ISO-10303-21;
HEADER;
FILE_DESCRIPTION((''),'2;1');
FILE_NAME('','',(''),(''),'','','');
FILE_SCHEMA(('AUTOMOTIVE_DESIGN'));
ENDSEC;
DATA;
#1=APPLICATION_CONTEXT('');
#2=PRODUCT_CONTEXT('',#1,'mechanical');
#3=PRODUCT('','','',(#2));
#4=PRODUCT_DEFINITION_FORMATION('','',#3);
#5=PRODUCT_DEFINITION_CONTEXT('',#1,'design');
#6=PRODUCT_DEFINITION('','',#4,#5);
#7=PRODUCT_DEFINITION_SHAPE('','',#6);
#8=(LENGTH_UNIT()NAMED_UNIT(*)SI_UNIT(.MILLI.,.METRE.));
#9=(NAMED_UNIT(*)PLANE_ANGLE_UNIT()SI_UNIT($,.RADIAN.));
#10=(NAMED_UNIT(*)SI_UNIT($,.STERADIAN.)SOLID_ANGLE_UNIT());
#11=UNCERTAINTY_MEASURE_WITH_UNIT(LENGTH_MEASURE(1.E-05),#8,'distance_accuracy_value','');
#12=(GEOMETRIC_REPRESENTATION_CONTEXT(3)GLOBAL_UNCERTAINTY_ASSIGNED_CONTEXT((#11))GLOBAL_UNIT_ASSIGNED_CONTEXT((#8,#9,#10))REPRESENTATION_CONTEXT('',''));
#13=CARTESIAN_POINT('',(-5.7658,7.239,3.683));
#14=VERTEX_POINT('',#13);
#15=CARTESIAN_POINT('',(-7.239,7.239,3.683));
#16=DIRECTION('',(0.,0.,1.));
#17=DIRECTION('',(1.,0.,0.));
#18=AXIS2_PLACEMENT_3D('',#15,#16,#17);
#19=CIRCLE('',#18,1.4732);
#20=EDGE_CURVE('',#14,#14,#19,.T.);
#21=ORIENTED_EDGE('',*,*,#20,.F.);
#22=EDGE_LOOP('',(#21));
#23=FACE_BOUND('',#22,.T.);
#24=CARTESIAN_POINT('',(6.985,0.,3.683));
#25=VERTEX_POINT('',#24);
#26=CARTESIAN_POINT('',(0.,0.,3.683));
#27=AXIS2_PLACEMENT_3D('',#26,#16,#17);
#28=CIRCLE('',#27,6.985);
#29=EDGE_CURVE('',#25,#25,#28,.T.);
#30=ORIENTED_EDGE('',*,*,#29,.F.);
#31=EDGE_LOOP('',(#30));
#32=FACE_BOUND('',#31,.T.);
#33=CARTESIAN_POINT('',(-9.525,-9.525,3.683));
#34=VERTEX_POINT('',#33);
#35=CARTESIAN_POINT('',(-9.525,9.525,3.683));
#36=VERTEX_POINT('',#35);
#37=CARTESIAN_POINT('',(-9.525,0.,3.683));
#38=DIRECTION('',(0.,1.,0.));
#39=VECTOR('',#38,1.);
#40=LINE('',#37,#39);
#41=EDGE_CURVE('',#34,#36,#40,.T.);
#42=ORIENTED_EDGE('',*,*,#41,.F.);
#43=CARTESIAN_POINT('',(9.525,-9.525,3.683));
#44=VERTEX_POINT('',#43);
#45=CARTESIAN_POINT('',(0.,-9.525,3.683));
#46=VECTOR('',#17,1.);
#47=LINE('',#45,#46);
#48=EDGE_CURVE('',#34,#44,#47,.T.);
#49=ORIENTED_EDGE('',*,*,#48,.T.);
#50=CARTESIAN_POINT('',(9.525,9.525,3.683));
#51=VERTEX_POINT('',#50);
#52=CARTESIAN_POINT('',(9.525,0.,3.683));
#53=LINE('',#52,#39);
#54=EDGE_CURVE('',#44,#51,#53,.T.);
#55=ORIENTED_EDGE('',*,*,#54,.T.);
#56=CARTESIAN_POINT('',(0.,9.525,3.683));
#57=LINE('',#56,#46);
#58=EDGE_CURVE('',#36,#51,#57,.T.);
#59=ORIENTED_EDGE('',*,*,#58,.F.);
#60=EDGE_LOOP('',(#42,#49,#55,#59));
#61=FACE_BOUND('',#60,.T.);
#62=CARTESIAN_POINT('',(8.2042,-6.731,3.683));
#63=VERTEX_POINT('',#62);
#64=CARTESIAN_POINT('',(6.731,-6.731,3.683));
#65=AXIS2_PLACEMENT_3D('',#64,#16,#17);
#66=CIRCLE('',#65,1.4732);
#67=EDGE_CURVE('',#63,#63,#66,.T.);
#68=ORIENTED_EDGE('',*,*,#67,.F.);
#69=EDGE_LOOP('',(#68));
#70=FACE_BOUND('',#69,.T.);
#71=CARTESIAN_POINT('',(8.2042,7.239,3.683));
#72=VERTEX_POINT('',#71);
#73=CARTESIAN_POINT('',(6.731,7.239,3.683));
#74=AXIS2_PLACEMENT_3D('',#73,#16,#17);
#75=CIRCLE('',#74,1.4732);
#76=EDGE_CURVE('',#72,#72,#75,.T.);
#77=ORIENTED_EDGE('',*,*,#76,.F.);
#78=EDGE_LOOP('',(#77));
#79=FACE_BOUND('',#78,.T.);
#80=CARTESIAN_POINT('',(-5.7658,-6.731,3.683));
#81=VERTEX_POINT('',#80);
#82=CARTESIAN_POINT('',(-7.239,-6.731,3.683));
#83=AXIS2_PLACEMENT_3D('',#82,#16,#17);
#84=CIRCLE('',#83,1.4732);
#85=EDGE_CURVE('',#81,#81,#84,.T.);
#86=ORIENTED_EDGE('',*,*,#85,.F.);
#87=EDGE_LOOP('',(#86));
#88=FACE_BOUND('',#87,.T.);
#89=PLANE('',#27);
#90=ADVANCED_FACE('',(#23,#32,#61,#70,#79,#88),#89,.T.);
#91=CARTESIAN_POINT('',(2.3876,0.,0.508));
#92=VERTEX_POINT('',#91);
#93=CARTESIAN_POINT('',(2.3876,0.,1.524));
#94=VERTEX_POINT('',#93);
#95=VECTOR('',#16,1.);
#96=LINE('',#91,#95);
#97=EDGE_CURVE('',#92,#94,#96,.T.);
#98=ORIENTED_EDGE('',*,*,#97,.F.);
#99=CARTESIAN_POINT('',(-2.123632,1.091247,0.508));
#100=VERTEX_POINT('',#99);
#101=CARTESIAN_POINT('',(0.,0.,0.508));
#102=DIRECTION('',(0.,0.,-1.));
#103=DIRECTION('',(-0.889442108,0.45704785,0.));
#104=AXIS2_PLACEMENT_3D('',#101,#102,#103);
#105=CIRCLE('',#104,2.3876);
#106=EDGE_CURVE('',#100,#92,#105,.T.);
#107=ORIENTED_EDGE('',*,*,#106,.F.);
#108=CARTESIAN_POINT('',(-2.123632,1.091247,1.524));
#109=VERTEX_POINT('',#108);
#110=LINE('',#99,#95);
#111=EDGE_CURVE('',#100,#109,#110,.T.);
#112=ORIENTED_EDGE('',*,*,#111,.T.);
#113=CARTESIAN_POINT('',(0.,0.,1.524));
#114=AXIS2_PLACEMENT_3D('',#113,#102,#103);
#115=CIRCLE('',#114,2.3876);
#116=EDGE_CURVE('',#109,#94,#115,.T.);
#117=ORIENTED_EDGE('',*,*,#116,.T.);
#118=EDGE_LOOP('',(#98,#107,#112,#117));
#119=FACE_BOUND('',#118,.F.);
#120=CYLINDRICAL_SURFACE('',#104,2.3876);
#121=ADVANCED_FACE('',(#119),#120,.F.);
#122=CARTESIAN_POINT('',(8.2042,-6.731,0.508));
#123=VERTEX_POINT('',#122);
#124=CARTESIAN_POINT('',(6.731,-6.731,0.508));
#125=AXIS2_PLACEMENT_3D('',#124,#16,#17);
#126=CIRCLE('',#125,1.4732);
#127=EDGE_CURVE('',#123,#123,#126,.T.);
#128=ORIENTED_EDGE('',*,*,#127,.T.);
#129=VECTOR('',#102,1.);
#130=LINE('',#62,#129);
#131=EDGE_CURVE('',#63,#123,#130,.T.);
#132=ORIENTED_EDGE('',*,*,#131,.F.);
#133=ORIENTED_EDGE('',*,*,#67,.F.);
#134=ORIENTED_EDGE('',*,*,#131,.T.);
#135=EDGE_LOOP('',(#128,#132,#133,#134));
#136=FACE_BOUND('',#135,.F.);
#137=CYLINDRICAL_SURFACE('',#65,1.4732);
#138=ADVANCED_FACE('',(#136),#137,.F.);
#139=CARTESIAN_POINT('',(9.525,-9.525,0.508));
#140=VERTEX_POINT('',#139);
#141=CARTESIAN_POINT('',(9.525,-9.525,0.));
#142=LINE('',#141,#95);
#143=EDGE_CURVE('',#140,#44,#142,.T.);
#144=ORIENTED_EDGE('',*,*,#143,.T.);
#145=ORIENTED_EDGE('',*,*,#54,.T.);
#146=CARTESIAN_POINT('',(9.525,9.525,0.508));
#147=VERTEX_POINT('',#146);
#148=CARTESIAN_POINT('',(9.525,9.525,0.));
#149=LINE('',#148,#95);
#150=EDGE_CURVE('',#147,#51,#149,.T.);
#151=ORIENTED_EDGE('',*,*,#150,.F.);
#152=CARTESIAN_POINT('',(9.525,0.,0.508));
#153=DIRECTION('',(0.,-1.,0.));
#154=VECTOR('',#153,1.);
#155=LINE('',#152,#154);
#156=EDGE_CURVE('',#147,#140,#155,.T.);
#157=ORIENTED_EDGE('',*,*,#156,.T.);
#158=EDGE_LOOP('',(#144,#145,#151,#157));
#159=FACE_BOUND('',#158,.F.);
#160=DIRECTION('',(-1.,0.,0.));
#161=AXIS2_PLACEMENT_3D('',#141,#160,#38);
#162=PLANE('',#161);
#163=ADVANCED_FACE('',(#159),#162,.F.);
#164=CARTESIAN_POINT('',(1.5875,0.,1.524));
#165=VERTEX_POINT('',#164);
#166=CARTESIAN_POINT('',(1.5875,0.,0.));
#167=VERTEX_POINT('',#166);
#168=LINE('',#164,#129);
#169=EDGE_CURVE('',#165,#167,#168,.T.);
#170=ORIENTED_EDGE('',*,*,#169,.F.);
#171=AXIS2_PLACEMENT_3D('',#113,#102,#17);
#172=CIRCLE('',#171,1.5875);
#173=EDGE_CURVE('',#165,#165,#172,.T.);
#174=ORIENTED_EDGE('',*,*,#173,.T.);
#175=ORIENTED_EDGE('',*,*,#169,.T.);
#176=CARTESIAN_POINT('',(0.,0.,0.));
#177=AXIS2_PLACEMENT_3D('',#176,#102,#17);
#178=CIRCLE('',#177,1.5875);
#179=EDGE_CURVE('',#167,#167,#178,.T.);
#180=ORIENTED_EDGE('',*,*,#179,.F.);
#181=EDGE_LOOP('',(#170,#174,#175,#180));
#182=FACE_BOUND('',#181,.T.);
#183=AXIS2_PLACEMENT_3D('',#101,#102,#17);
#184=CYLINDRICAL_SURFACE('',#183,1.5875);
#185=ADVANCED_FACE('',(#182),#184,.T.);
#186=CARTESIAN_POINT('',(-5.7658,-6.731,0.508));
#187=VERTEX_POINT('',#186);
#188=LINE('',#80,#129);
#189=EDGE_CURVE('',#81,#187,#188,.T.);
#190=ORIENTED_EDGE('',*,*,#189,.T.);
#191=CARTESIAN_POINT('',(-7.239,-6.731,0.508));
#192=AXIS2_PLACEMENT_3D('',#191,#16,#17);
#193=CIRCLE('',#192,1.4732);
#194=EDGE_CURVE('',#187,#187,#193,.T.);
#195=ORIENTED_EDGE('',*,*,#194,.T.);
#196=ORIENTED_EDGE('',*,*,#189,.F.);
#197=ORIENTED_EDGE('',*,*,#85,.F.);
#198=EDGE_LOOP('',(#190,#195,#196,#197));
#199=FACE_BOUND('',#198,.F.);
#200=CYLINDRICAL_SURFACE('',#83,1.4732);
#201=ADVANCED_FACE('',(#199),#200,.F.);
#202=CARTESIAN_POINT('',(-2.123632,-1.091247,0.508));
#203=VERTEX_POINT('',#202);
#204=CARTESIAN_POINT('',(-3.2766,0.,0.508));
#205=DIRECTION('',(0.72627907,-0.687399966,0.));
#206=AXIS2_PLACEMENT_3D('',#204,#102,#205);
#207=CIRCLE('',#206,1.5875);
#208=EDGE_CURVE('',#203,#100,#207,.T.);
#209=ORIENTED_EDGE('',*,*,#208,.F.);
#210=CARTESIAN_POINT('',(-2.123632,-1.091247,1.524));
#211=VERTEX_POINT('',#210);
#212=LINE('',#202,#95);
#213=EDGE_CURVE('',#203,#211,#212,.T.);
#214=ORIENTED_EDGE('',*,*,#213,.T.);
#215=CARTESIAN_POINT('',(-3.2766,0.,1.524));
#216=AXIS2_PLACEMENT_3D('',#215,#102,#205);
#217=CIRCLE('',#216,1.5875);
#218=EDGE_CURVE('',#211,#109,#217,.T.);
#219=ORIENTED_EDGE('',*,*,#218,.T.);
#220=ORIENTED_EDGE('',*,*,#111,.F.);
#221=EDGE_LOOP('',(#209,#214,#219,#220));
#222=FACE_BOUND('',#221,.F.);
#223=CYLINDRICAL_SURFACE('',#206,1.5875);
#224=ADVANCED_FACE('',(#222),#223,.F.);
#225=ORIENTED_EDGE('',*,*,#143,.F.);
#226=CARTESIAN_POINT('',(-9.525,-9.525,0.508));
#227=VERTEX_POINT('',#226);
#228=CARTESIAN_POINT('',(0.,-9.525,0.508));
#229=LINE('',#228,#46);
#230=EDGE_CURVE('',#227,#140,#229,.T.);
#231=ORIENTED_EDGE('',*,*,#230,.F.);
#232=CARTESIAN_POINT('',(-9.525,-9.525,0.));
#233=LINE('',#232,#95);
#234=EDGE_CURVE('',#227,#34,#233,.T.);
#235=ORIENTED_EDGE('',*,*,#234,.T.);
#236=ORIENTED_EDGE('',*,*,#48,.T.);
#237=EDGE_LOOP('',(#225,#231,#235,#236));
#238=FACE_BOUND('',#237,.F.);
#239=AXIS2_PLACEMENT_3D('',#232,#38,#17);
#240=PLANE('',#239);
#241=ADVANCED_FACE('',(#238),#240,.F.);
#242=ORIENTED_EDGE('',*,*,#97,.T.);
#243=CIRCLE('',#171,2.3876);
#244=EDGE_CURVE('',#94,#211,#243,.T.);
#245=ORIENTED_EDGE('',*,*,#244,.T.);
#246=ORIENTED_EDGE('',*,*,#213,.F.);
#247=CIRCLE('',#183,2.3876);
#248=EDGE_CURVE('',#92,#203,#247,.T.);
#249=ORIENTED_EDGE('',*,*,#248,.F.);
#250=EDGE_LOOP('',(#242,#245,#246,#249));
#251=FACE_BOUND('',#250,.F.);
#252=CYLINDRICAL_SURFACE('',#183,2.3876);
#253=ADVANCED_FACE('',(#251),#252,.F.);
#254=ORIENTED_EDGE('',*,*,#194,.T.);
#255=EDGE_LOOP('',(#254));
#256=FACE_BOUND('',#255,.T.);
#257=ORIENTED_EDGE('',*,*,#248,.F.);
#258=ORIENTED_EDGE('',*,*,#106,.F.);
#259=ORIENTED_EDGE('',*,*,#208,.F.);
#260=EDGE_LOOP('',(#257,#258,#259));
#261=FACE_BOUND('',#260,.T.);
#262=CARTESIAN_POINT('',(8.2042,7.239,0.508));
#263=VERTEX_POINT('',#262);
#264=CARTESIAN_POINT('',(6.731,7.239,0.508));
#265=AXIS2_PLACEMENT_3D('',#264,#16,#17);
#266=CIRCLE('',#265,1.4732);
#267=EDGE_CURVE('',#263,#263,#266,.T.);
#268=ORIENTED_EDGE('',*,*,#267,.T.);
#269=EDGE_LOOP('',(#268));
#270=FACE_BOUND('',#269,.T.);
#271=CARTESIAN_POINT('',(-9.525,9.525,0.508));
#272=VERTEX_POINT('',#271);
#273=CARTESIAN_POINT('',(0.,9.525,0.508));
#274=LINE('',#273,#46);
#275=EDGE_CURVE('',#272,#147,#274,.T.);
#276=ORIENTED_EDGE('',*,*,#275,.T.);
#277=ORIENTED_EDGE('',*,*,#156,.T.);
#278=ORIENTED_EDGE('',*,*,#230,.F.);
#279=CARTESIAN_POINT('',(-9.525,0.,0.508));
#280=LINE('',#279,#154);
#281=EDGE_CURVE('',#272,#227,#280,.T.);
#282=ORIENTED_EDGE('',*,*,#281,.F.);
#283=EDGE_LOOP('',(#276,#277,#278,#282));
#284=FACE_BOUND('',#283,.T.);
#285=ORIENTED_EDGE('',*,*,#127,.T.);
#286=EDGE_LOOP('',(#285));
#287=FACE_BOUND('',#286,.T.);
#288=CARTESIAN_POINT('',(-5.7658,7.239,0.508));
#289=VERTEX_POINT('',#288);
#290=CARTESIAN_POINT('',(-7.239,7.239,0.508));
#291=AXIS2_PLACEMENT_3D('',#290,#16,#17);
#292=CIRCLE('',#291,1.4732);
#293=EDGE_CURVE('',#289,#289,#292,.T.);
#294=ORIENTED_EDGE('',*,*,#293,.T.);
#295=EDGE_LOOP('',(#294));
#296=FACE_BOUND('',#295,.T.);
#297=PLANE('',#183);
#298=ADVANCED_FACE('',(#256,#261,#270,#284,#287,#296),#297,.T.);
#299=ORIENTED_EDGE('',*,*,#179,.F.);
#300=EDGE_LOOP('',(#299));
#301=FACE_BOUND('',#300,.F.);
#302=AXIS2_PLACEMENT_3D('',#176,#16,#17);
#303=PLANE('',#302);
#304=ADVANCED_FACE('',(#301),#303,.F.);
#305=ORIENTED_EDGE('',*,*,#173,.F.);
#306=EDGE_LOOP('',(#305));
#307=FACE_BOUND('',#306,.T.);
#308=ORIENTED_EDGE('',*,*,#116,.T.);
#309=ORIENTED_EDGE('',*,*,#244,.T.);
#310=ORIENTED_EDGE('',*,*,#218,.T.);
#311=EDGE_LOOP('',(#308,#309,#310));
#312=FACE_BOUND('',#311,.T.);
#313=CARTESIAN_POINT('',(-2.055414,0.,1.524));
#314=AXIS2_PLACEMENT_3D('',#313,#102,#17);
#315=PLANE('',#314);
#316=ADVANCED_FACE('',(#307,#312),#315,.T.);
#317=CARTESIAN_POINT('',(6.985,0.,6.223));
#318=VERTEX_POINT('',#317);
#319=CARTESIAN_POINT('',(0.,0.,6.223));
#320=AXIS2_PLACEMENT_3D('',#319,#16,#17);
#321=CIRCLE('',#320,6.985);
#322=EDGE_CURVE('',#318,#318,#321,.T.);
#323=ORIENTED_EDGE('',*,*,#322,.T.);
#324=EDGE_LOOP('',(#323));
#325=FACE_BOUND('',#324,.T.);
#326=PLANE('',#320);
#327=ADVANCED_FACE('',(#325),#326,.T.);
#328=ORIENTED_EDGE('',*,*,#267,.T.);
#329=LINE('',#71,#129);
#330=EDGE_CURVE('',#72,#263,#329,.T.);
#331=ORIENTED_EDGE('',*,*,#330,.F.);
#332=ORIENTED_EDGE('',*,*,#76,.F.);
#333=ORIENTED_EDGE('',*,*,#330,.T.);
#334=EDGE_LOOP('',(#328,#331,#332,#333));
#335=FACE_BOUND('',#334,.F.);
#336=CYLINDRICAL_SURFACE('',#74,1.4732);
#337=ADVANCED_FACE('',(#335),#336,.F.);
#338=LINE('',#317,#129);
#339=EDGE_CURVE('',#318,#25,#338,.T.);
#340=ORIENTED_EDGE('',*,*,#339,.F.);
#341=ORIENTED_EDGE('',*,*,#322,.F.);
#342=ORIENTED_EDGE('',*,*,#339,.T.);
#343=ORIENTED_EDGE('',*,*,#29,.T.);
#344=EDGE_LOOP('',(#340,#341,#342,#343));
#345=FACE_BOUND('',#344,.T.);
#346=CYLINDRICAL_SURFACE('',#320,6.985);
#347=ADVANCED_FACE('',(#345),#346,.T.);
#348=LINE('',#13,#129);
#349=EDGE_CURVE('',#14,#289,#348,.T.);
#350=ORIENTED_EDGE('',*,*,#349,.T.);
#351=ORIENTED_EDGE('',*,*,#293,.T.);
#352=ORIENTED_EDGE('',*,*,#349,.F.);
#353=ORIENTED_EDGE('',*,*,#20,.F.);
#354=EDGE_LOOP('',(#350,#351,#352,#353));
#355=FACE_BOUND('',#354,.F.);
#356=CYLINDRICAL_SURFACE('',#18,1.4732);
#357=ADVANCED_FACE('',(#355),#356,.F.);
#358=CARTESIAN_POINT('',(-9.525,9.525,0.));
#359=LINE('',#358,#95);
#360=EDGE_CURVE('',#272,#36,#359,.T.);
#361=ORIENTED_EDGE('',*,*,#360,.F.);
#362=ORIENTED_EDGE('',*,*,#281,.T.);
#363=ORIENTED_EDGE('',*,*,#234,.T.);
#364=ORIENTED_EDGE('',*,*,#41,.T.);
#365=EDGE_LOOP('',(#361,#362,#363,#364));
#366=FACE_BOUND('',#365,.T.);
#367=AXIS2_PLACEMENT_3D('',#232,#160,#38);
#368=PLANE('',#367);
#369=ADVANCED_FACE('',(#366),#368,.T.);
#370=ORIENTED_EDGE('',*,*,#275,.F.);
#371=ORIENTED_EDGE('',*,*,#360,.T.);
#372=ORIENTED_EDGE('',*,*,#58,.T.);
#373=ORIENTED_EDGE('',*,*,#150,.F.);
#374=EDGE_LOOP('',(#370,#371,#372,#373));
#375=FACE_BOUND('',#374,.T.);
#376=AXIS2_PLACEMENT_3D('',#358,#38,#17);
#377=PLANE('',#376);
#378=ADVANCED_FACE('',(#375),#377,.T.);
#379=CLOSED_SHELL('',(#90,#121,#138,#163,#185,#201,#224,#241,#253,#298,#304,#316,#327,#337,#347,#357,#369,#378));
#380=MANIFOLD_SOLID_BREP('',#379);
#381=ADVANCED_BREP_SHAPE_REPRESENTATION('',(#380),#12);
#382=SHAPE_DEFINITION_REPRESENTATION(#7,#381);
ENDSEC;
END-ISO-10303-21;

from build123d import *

# Parameters (mm, degrees)
F0_W     = 19.05
F0_H     = 19.05
F1_DEPTH = 6.223
F2_W     = 19.05
F2_H     = 19.05
F2_R     = 6.985
F3_DEPTH = 2.54
F4_R     = 1.4732
F5_DEPTH = 3.684
F6_W     = 19.05
F6_H     = 19.05
F6_R     = 1.5875
F7_DEPTH = 0.508
F8_R     = 1.5875
F9_DEPTH = 1.016


with BuildPart() as f1:
    # F0 (on Top) → F1 (new body)
    with BuildSketch(Plane.XY):
        Rectangle(F0_W, F0_H)
    extrude(amount=F1_DEPTH)

    # F2 (on face) → F3 (cut)
    with BuildSketch(Plane.XY.offset(6.223)):
        Rectangle(F2_W, F2_H)
        Circle(F2_R, mode=Mode.SUBTRACT)
    extrude(amount=-F3_DEPTH, mode=Mode.SUBTRACT)

    # F4 (on face) → F5 (cut, through all)
    with BuildSketch(Plane.XY.offset(3.683)):
        with Locations((-7.239, 7.239)):
            Circle(F4_R)
        with Locations((-7.239, -6.731)):
            Circle(F4_R)
        with Locations((6.731, 7.239)):
            Circle(F4_R)
        with Locations((6.731, -6.731)):
            Circle(F4_R)
    extrude(amount=-F5_DEPTH, mode=Mode.SUBTRACT)

    # F6 (on face) → F7 (cut)
    with BuildSketch(Plane(origin=(0, 0, 0), x_dir=(1, 0, 0), z_dir=(0, 0, -1))):
        Rectangle(F6_W, F6_H)
        Circle(F6_R, mode=Mode.SUBTRACT)
    extrude(amount=-F7_DEPTH, mode=Mode.SUBTRACT)

    # F8 (on face) → F9 (cut)
    with BuildSketch(Plane(origin=(0, 0, 0.508), x_dir=(1, 0, 0), z_dir=(0, 0, -1))):
        with BuildLine():
            ThreePointArc((-2.1236319767, -1.0912474455), (-1.8017283129, -0.5872901809), (-1.6891, 0))
            ThreePointArc((-1.6891, 0), (-1.8017283129, 0.5872901809), (-2.1236319767, 1.0912474455))
            ThreePointArc((-2.1236319767, 1.0912474455), (-2.3876, 0), (-2.1236319767, -1.0912474455))
        make_face()
        with BuildLine():
            ThreePointArc((-2.1236319767, 1.0912474455), (-1.8017283129, 0.5872901809), (-1.6891, 0))
            ThreePointArc((-1.6891, 0), (-1.8017283129, -0.5872901809), (-2.1236319767, -1.0912474455))
            ThreePointArc((-2.1236319767, -1.0912474455), (0.5613599791, -2.320669889), (2.3876, 0))
            ThreePointArc((2.3876, 0), (0.5613599791, 2.320669889), (-2.1236319767, 1.0912474455))
        make_face()
        Circle(F8_R, mode=Mode.SUBTRACT)
        with BuildLine():
            ThreePointArc((-2.1236319767, -1.0912474455), (-2.3876, 0), (-2.1236319767, 1.0912474455))
            ThreePointArc((-2.1236319767, 1.0912474455), (-4.8641, 0), (-2.1236319767, -1.0912474455))
        make_face()
    extrude(amount=-F9_DEPTH, mode=Mode.SUBTRACT)


solid = f1.part
